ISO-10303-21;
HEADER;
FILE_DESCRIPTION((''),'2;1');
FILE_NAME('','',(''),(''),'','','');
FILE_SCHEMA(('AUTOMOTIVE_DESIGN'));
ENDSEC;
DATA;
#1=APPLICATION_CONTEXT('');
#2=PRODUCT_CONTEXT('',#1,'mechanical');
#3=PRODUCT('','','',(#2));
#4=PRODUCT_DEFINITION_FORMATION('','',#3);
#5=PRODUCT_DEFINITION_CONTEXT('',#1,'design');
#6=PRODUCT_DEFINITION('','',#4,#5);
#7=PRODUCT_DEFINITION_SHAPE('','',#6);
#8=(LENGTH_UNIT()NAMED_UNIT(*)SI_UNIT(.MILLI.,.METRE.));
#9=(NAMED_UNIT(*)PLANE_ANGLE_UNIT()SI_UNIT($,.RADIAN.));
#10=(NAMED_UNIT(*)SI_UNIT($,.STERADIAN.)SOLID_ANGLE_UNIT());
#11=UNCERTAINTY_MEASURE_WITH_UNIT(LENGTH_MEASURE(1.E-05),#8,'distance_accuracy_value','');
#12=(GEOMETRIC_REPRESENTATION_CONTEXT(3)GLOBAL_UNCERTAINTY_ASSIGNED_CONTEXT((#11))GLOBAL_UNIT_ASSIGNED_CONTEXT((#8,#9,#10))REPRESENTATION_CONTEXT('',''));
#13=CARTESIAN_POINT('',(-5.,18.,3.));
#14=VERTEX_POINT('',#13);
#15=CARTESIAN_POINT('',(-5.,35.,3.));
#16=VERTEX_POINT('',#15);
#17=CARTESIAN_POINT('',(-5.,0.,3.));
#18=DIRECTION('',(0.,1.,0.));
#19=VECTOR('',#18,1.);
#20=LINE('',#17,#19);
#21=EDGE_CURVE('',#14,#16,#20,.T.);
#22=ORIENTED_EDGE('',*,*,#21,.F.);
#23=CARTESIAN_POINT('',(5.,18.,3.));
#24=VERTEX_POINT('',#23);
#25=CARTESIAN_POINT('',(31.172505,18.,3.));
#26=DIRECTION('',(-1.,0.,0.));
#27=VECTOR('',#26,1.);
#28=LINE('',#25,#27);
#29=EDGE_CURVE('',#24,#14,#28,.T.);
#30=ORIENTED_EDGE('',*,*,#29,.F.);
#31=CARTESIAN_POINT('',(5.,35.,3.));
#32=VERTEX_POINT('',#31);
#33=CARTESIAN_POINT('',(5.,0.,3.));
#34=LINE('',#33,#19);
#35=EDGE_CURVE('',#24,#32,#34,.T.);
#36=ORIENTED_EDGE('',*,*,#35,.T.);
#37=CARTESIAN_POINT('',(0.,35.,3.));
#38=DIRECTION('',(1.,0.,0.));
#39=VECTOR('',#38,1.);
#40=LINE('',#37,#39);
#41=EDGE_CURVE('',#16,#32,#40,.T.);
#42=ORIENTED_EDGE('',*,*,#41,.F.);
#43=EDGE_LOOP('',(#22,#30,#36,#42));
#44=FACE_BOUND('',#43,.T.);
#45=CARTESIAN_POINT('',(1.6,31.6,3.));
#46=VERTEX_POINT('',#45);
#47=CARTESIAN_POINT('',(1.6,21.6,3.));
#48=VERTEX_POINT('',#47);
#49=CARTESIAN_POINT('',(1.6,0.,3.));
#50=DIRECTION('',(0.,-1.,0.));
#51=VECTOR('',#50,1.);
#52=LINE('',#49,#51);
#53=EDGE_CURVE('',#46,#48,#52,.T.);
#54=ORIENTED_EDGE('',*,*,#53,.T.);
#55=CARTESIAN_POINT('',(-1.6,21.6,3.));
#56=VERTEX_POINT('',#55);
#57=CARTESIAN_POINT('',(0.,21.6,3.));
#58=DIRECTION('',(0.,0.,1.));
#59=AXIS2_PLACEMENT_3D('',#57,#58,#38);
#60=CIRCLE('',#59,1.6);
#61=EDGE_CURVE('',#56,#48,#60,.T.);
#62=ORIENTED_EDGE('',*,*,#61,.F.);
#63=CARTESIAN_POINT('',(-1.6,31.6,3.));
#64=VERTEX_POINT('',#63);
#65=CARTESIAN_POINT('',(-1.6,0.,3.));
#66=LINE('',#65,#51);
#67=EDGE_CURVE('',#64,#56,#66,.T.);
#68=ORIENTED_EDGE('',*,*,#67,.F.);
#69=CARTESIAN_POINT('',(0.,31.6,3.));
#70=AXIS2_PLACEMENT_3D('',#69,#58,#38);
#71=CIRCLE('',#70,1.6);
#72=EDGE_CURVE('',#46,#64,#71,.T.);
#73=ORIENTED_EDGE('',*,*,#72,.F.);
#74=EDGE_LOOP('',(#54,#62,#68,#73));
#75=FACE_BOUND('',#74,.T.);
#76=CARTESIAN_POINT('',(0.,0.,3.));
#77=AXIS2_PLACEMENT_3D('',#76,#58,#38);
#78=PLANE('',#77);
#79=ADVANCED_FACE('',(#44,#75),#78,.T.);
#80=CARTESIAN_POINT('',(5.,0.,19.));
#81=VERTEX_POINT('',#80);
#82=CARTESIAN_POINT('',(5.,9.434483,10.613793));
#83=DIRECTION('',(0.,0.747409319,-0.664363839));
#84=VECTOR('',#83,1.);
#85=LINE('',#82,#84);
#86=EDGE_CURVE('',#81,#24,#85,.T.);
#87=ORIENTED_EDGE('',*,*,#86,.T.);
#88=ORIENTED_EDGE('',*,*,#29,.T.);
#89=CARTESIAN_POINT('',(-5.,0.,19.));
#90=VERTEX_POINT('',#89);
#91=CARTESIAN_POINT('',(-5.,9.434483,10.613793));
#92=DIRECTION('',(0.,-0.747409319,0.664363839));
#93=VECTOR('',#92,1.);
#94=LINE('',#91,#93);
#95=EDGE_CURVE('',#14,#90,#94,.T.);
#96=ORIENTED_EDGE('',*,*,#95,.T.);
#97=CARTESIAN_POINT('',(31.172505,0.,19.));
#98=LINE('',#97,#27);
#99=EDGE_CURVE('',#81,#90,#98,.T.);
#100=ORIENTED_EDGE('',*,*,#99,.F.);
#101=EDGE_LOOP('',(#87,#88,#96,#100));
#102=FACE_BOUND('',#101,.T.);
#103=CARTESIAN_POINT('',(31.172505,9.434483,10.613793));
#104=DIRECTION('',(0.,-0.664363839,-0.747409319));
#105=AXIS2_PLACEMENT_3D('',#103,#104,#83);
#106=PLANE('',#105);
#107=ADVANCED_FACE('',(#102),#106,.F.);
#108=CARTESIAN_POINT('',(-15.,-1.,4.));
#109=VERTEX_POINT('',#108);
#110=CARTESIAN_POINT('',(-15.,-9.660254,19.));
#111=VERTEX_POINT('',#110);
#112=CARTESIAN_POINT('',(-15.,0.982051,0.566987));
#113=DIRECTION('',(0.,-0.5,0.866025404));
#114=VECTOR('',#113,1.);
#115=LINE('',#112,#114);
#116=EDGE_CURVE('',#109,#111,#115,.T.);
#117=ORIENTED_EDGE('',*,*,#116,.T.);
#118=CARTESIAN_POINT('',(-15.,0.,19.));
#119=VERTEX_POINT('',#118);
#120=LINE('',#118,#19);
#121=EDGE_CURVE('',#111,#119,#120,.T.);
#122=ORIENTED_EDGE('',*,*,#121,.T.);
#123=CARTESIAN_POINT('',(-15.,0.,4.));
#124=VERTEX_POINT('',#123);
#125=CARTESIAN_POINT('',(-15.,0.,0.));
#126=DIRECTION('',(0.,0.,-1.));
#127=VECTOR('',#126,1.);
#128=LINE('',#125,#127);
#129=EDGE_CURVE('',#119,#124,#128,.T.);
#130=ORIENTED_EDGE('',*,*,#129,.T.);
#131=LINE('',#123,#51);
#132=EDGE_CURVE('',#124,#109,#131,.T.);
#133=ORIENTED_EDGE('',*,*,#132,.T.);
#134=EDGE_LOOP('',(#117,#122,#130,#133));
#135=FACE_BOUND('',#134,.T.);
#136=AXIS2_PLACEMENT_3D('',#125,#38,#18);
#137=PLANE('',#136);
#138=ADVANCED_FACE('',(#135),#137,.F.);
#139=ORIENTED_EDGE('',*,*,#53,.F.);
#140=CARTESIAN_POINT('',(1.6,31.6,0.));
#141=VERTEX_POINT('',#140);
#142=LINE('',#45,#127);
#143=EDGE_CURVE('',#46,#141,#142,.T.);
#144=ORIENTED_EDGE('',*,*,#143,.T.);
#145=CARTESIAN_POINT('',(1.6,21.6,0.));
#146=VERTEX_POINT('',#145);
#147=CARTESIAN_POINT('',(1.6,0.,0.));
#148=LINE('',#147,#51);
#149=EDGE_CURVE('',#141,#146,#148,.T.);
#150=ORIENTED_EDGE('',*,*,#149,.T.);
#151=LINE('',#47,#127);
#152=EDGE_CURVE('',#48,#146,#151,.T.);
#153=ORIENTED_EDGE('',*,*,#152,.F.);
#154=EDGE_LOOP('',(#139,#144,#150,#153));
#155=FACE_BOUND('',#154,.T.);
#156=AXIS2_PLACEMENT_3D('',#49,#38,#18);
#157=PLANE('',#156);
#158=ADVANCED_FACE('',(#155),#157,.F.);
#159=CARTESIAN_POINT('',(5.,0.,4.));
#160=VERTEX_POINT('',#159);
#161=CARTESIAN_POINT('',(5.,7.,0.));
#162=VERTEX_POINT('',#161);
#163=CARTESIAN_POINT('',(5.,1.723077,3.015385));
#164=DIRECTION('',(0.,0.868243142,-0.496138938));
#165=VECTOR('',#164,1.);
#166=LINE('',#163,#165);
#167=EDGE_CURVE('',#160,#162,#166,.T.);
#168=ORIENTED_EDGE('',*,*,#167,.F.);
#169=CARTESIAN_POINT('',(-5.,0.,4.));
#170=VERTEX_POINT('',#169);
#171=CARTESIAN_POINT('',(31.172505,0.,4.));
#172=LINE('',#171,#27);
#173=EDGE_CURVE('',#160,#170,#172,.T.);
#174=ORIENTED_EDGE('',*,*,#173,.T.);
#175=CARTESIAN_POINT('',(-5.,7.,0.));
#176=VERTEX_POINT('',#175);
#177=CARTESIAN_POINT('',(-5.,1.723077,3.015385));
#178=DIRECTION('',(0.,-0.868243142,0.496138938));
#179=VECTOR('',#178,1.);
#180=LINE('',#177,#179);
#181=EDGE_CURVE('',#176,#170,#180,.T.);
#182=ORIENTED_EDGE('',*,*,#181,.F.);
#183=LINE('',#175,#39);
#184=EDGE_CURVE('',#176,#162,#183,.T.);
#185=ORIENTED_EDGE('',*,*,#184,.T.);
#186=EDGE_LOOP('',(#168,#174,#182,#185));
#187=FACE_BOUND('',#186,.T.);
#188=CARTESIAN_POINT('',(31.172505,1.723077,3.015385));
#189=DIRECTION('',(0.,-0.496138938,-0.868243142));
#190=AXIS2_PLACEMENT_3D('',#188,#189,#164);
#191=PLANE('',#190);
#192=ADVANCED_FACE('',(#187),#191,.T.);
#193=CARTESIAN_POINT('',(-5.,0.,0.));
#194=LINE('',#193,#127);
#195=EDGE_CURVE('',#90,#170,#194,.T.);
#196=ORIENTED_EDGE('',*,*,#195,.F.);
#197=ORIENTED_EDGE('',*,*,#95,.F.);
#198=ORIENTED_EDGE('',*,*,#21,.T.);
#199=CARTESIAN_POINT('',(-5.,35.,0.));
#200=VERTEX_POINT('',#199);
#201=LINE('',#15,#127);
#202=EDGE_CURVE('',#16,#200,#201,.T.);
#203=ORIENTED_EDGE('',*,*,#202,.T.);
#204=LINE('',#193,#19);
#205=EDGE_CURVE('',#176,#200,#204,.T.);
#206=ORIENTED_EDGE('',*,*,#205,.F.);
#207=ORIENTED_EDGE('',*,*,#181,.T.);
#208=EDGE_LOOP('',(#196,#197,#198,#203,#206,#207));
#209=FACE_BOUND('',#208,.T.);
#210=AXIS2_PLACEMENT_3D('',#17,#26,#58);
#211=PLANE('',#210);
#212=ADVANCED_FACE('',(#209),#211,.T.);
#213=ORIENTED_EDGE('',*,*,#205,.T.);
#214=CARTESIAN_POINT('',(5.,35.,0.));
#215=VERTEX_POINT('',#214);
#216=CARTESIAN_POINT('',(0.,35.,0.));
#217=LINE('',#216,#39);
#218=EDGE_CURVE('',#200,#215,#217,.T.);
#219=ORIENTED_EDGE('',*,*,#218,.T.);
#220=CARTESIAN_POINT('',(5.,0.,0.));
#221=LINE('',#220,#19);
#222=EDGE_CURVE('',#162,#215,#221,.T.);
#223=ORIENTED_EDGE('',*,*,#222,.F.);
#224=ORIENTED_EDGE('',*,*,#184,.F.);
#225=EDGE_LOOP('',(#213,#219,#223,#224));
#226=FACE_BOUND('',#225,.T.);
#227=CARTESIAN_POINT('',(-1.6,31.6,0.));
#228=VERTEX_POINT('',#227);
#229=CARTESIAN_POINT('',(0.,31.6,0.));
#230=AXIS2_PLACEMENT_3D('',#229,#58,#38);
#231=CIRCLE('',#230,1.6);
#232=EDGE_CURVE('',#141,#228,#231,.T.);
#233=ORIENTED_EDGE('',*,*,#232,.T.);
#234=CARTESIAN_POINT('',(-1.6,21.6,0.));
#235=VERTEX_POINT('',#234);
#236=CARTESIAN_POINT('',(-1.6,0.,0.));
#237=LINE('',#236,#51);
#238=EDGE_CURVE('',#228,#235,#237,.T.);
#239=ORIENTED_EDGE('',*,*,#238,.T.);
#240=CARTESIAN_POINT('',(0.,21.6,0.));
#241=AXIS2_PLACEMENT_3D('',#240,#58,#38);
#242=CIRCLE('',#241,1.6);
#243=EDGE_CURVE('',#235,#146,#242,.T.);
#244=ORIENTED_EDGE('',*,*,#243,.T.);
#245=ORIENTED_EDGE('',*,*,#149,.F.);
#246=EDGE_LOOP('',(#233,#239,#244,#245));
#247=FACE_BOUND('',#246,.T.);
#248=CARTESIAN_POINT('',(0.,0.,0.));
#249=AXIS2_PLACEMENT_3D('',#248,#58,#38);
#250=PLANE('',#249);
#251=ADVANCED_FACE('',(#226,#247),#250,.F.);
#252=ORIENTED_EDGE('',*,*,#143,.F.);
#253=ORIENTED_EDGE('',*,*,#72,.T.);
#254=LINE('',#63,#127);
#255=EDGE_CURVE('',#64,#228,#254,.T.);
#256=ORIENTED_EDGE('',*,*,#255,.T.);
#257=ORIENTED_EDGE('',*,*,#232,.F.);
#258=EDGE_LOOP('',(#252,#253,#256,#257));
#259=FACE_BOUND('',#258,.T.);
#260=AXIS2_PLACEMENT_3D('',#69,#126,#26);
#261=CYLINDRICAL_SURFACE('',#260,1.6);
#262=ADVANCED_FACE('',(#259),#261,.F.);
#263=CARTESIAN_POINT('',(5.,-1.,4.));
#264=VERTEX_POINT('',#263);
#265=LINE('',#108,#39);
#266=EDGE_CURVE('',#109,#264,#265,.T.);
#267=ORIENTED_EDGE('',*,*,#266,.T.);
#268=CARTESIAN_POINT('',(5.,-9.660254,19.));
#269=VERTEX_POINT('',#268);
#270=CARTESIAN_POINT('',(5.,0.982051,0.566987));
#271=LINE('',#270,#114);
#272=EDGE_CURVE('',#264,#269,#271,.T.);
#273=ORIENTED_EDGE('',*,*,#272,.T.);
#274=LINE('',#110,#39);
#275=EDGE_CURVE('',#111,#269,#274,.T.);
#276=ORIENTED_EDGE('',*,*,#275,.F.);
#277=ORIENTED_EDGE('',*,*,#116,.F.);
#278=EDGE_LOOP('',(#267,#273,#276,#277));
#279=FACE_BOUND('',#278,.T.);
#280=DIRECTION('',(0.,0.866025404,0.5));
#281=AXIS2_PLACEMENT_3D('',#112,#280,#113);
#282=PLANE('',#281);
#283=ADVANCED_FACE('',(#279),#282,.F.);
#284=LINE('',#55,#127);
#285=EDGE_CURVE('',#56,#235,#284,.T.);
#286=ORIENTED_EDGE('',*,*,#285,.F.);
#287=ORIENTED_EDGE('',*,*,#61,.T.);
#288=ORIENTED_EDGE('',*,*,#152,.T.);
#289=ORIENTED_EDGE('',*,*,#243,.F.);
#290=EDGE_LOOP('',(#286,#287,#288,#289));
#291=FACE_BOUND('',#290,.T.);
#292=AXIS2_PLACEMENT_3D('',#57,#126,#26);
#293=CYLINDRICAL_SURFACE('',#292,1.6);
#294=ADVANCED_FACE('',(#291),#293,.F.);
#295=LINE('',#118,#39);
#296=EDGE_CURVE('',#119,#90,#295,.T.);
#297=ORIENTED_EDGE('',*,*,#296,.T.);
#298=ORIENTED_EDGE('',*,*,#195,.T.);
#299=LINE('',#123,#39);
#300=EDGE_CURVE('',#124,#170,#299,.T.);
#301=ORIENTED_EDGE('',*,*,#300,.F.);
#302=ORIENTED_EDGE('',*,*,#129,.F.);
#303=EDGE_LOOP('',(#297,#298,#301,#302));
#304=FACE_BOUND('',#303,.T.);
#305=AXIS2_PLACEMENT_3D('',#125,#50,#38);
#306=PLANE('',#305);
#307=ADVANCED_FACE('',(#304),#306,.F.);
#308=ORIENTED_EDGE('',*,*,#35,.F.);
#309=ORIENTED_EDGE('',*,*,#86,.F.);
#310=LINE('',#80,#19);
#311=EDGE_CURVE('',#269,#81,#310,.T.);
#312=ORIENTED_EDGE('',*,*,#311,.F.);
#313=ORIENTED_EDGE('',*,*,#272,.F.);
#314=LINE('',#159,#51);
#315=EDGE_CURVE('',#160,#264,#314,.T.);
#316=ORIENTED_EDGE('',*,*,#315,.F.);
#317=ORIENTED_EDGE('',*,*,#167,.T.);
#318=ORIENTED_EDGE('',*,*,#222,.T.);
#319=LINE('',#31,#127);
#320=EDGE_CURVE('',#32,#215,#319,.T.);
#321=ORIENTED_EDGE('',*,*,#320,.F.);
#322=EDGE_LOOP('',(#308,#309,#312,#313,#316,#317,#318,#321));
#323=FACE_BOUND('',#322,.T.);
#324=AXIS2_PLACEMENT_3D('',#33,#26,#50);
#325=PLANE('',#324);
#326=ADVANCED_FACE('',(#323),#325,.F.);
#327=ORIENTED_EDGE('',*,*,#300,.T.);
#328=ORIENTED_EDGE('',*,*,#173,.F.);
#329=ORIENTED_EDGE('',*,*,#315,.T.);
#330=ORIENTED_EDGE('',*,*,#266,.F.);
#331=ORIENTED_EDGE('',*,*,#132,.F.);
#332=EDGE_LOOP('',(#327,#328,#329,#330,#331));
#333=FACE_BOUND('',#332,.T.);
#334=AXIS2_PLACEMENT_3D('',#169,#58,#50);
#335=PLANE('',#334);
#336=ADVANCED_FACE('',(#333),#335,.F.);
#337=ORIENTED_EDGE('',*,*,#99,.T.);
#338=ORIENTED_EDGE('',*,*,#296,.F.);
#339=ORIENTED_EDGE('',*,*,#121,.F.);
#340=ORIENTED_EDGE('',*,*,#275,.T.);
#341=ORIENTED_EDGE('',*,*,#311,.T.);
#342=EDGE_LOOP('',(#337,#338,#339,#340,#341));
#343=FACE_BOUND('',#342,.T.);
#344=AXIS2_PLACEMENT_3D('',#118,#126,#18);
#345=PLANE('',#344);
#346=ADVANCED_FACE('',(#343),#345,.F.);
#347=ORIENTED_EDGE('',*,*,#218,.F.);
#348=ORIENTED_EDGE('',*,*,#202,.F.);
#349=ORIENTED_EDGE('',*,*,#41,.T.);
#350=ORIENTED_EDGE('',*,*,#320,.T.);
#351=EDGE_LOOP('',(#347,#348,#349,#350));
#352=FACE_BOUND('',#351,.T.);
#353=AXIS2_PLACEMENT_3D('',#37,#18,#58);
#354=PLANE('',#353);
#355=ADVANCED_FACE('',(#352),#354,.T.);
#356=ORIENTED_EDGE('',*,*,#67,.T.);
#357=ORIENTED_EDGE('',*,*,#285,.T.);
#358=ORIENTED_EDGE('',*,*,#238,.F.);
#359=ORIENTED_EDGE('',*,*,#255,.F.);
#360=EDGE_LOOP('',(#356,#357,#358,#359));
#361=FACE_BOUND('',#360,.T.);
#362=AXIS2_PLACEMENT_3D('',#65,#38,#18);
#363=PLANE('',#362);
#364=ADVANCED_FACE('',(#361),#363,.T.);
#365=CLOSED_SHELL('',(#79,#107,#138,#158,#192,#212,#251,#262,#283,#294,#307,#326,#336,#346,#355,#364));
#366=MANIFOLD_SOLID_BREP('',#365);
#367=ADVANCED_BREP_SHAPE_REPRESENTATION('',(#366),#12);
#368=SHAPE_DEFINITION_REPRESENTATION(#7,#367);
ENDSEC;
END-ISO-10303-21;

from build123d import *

# Parameters (mm, degrees)
SKETCH1_W           = 10
SKETCH1_H           = 25
BOSS_EXTRUDE1_DEPTH = 3
SKETCH3_W           = 3
SKETCH3_H           = 7
BOSS_EXTRUDE2_DEPTH = 10
BOSS_EXTRUDE3_DEPTH = 20
BOSS_EXTRUDE4_DEPTH = 10


with BuildPart() as part:
    # Sketch1 → Boss-Extrude1 (new body)
    with BuildSketch(Plane.XY):
        with Locations((0, 22.5)):
            Rectangle(SKETCH1_W, SKETCH1_H)
        with BuildLine():
            ThreePointArc((-1.6, 31.6), (0, 33.2), (1.6, 31.6))
            Line((1.6, 31.6), (1.6, 21.6))
            ThreePointArc((1.6, 21.6), (0, 20), (-1.6, 21.6))
            Line((-1.6, 21.6), (-1.6, 31.6))
        make_face(mode=Mode.SUBTRACT)
    extrude(amount=BOSS_EXTRUDE1_DEPTH)

    # Sketch3 → Boss-Extrude2 (add)
    with BuildSketch(Plane(origin=(5, 0, 0), x_dir=(0, 0, -1), z_dir=(1, 0, 0))):
        Polygon((0, 7), (0, 10), (-3, 10), (-7, 10), (-7, 7), (-4, 7), align=None)
        with Locations((-5.5, 3.5)):
            Rectangle(SKETCH3_W, SKETCH3_H)
    extrude(amount=-BOSS_EXTRUDE2_DEPTH)

    # Sketch4 → Boss-Extrude3 (add)
    with BuildSketch(Plane(origin=(5, 0, 0), x_dir=(0, 0, -1), z_dir=(1, 0, 0))):
        Polygon((-19, -9.660254038), (-4, 0), (-7, 0), (-19, 0), align=None)
        Polygon((-4, -1), (-19, -9.660254038), (-4, 0), align=None)
    extrude(amount=-BOSS_EXTRUDE3_DEPTH)

    # Sketch5 → Boss-Extrude4 (add)
    with BuildSketch(Plane.ZY.offset(5)):
        Polygon((4, 7), (0, 7), (4, 0), align=None)
        Polygon((3, 18), (0, 7), (4, 7), (4, 0), (19, 0), (9.027600975, 11.218948904), align=None)
    extrude(amount=-BOSS_EXTRUDE4_DEPTH)


solid = part.part
